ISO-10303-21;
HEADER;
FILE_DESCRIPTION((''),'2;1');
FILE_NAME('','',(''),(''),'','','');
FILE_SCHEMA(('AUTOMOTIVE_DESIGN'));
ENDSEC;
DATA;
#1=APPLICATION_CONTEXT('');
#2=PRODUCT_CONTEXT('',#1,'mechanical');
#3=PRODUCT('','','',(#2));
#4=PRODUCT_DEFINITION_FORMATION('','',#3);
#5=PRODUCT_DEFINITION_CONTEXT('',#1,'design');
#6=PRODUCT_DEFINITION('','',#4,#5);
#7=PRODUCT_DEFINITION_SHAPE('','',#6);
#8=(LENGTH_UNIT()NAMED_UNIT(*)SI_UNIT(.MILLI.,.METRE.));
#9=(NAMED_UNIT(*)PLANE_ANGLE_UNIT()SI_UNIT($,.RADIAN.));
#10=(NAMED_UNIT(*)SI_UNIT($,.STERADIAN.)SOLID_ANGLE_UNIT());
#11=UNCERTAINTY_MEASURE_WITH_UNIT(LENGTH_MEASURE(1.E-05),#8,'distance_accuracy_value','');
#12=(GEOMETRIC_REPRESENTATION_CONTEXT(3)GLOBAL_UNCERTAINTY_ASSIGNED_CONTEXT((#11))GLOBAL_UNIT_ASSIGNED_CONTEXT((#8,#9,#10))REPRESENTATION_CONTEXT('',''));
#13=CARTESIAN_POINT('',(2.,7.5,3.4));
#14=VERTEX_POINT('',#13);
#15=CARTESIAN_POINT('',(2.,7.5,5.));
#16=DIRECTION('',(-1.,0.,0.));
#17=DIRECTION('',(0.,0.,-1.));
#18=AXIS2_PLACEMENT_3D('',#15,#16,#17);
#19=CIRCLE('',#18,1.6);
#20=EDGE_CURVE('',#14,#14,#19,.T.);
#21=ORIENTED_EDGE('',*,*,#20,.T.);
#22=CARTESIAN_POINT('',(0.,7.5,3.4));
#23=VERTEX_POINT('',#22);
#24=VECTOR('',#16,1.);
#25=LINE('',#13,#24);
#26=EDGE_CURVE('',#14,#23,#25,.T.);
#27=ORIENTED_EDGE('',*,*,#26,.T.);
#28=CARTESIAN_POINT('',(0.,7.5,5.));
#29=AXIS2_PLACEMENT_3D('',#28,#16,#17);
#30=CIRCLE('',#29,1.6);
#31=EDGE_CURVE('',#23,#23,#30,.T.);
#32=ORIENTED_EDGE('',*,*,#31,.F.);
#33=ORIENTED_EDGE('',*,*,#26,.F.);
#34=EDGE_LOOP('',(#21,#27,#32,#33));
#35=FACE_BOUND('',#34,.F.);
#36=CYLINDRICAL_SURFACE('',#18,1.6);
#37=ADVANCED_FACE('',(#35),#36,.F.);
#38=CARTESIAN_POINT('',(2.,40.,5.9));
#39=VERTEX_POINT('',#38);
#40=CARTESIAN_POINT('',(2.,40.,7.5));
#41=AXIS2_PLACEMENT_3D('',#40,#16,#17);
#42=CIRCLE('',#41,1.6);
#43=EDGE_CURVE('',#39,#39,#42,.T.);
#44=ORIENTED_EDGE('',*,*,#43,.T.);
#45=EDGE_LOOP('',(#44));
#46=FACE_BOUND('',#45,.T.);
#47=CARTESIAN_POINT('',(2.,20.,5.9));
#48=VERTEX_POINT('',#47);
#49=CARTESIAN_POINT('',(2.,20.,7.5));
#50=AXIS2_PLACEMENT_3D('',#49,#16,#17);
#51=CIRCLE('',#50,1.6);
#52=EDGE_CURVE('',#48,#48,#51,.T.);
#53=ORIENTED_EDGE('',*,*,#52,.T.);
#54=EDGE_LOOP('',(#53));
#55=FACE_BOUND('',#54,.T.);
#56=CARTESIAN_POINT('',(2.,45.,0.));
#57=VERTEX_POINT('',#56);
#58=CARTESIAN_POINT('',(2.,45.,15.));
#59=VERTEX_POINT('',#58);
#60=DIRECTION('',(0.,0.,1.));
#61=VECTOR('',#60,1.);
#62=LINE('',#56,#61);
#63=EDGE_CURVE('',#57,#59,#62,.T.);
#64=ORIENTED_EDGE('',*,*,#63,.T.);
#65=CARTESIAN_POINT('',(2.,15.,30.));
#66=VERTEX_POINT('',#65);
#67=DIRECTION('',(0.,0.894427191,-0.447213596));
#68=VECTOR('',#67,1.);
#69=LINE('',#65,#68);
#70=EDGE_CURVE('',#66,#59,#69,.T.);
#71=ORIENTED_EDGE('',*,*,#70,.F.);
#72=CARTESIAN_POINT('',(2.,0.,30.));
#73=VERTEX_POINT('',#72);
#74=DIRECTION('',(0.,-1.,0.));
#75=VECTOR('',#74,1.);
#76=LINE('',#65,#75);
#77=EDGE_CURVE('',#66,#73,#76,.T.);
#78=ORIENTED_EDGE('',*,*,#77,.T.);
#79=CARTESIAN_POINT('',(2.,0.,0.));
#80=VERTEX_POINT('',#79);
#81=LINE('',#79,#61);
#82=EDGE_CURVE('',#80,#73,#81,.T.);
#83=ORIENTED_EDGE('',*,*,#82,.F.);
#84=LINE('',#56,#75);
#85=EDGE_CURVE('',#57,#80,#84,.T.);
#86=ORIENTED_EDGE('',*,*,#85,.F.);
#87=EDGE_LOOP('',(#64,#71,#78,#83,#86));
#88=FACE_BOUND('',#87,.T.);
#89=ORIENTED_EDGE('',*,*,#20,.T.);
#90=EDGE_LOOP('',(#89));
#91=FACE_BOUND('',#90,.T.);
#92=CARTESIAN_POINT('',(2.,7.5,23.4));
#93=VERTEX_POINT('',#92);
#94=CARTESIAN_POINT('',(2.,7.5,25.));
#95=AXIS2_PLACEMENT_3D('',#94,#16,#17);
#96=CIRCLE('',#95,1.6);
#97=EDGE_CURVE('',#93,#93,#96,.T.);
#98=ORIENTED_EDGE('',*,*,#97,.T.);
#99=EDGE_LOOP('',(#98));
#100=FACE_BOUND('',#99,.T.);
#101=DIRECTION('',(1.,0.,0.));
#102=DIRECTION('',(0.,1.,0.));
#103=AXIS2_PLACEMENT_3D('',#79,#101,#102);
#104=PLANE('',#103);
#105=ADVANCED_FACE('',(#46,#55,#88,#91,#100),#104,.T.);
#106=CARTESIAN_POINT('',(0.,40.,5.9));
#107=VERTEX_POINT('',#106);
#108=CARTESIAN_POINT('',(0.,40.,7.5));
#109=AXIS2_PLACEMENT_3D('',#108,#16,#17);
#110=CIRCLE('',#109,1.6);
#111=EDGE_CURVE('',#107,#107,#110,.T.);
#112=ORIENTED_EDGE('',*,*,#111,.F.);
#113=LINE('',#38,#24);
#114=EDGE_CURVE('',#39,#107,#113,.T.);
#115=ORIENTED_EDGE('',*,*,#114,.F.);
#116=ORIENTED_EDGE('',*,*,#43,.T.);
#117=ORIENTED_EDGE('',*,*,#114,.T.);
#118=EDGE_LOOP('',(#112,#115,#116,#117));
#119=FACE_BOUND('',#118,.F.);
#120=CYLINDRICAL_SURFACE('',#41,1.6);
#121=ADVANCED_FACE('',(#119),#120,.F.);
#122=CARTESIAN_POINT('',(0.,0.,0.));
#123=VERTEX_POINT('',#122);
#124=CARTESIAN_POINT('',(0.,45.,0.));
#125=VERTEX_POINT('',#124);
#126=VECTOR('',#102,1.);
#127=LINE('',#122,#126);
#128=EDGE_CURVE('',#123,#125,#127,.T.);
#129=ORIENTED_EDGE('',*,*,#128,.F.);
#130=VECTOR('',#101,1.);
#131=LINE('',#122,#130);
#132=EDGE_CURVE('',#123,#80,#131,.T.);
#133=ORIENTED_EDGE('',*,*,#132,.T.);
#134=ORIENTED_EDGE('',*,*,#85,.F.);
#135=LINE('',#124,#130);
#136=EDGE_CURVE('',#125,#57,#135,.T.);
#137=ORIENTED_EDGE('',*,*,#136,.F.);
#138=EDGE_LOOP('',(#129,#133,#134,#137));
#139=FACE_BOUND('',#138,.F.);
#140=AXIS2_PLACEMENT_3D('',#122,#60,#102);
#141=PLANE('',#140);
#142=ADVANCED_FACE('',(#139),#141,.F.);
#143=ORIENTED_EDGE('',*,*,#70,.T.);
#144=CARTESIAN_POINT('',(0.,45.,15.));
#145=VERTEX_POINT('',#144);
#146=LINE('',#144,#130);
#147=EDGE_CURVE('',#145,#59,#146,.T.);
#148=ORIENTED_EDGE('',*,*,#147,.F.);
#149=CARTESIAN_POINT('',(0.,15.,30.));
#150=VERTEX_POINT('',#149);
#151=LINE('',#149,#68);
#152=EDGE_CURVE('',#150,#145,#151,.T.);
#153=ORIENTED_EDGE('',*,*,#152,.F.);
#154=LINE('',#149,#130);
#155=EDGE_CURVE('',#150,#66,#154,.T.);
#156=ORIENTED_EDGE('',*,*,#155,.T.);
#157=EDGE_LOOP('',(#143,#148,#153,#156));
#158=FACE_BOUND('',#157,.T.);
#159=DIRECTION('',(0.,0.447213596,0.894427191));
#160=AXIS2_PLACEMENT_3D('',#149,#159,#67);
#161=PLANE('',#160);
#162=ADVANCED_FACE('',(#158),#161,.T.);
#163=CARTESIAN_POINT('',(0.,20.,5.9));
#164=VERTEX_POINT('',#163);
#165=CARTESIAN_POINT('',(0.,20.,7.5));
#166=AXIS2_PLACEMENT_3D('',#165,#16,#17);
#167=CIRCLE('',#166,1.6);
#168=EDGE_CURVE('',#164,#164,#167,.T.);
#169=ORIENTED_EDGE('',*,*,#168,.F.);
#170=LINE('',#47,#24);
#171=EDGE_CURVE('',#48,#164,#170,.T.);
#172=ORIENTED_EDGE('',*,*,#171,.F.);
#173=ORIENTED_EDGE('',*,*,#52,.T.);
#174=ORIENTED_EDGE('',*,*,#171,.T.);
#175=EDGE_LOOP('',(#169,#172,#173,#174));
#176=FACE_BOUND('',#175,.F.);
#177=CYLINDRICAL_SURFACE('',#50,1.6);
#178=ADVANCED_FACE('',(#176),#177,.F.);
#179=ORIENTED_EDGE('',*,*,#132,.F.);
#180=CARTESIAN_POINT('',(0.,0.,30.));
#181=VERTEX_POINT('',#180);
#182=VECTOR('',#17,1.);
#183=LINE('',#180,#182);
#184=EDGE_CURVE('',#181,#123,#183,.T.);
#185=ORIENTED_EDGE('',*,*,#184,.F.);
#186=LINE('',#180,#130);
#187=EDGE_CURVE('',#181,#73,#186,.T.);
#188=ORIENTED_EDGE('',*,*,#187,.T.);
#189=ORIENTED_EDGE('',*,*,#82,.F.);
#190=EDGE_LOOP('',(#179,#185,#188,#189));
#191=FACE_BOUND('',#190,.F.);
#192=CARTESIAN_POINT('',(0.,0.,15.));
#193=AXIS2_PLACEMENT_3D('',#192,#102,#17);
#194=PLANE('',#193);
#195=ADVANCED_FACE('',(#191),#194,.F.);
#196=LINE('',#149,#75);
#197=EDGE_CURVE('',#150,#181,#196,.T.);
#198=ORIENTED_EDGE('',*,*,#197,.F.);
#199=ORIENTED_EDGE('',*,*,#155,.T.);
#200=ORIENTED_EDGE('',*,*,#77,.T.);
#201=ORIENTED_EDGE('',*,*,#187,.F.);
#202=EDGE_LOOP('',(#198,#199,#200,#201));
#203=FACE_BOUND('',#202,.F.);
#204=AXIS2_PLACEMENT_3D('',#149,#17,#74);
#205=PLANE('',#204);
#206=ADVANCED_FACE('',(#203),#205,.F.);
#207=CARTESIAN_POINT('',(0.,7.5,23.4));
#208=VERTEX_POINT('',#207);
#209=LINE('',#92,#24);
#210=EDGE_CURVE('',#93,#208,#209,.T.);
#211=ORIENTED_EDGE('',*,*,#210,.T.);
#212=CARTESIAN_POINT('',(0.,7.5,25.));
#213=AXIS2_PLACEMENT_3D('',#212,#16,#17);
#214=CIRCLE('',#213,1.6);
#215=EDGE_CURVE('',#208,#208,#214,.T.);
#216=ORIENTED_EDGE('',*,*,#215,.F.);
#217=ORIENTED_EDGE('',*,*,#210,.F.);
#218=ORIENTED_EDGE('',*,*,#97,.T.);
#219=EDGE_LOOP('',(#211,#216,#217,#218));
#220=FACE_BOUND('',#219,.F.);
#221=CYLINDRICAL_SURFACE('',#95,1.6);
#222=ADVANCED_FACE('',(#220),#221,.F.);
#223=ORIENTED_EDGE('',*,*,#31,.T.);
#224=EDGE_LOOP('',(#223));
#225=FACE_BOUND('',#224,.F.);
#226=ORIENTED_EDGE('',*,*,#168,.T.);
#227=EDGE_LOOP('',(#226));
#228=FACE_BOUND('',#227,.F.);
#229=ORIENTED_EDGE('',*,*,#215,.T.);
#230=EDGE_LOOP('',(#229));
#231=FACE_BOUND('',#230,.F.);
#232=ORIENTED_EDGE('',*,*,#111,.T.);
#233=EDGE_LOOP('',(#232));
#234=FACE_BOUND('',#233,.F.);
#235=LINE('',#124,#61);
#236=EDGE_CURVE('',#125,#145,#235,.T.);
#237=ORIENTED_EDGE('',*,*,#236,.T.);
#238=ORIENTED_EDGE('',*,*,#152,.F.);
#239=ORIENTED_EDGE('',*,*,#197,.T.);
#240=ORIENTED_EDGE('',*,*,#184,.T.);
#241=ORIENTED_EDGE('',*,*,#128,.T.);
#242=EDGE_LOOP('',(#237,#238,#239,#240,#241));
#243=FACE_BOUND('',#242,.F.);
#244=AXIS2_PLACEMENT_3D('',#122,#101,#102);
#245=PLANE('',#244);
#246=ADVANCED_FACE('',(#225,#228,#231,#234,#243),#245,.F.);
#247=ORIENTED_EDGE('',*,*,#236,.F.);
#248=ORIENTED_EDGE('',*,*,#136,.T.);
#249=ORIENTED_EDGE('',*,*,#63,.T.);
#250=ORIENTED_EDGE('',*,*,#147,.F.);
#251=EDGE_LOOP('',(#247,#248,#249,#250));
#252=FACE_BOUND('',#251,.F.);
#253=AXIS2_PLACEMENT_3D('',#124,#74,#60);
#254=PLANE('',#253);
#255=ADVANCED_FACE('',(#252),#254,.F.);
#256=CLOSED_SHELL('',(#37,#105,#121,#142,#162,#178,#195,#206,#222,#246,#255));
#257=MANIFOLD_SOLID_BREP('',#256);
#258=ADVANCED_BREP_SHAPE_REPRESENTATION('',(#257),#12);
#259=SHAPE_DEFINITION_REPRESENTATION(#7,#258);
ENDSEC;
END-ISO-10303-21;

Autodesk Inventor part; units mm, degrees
ref_plane "YZ Plane" through (0, 0, 0) normal (1, 0, 0) x (0, 1, 0)
ref_plane "XZ Plane" through (0, 0, 0) normal (0, 1, 0) x (-1, 0, 0)
ref_plane "XY Plane" through (0, 0, 0) normal (0, 0, 1) x (1, 0, 0)
sketch "スケッチ1" plane through (0, 0, 0) normal (1, 0, 0) x (0, 1, 0)
  line L0 (0, 0) -> (45, 0)
  line L1 (45, 0) -> (45, 15)
  line L2 (45, 15) -> (0, 15) construction
  line L3 (0, 15) -> (0, 0)
  line L4 (0, 0) -> (15, 0)
  line L5 (15, 0) -> (15, 30) construction
  line L6 (15, 30) -> (0, 30)
  line L7 (0, 30) -> (0, 0)
  line L8 (15, 30) -> (45, 15)
  dimension "d0" = 15
  dimension "d1" = 15
  dimension "d2" = 30
  dimension "d3" = 30
extrude "押し出し1" add sketch "スケッチ1" along normal blind 2
sketch "スケッチ2" plane through (2, 0, 0) normal (1, 0, 0) x (0, 0, -1)
  line L0 (-30, 15) -> (-30, 0) projected
  line L1 (-30, 7.5) -> (0, 7.5) construction
  line L2 (0, 0) -> (0, 45) projected
  line L3 (0, 45) -> (-15, 45) projected
  line L4 (-7.5, 45) -> (-7.5, 0) construction
  line L5 (-30, 0) -> (0, 0) projected
  point P0 (-25, 7.5)
  point P1 (-5, 7.5)
  point P2 (-7.5, 20)
  point P3 (-7.5, 40)
  dimension "d6" = 20
  dimension "d7" = 5
  dimension "d8" = 20
  dimension "d9" = 5
hole "穴1" at (2, 7.5, 25) at (2, 7.5, 5) at (2, 20, 7.5) at (2, 40, 7.5) direction (-1, 0, 0) diameter 3.2 end through all
properties part number "FrameJoint1515" material "アルミニウム 6061"
